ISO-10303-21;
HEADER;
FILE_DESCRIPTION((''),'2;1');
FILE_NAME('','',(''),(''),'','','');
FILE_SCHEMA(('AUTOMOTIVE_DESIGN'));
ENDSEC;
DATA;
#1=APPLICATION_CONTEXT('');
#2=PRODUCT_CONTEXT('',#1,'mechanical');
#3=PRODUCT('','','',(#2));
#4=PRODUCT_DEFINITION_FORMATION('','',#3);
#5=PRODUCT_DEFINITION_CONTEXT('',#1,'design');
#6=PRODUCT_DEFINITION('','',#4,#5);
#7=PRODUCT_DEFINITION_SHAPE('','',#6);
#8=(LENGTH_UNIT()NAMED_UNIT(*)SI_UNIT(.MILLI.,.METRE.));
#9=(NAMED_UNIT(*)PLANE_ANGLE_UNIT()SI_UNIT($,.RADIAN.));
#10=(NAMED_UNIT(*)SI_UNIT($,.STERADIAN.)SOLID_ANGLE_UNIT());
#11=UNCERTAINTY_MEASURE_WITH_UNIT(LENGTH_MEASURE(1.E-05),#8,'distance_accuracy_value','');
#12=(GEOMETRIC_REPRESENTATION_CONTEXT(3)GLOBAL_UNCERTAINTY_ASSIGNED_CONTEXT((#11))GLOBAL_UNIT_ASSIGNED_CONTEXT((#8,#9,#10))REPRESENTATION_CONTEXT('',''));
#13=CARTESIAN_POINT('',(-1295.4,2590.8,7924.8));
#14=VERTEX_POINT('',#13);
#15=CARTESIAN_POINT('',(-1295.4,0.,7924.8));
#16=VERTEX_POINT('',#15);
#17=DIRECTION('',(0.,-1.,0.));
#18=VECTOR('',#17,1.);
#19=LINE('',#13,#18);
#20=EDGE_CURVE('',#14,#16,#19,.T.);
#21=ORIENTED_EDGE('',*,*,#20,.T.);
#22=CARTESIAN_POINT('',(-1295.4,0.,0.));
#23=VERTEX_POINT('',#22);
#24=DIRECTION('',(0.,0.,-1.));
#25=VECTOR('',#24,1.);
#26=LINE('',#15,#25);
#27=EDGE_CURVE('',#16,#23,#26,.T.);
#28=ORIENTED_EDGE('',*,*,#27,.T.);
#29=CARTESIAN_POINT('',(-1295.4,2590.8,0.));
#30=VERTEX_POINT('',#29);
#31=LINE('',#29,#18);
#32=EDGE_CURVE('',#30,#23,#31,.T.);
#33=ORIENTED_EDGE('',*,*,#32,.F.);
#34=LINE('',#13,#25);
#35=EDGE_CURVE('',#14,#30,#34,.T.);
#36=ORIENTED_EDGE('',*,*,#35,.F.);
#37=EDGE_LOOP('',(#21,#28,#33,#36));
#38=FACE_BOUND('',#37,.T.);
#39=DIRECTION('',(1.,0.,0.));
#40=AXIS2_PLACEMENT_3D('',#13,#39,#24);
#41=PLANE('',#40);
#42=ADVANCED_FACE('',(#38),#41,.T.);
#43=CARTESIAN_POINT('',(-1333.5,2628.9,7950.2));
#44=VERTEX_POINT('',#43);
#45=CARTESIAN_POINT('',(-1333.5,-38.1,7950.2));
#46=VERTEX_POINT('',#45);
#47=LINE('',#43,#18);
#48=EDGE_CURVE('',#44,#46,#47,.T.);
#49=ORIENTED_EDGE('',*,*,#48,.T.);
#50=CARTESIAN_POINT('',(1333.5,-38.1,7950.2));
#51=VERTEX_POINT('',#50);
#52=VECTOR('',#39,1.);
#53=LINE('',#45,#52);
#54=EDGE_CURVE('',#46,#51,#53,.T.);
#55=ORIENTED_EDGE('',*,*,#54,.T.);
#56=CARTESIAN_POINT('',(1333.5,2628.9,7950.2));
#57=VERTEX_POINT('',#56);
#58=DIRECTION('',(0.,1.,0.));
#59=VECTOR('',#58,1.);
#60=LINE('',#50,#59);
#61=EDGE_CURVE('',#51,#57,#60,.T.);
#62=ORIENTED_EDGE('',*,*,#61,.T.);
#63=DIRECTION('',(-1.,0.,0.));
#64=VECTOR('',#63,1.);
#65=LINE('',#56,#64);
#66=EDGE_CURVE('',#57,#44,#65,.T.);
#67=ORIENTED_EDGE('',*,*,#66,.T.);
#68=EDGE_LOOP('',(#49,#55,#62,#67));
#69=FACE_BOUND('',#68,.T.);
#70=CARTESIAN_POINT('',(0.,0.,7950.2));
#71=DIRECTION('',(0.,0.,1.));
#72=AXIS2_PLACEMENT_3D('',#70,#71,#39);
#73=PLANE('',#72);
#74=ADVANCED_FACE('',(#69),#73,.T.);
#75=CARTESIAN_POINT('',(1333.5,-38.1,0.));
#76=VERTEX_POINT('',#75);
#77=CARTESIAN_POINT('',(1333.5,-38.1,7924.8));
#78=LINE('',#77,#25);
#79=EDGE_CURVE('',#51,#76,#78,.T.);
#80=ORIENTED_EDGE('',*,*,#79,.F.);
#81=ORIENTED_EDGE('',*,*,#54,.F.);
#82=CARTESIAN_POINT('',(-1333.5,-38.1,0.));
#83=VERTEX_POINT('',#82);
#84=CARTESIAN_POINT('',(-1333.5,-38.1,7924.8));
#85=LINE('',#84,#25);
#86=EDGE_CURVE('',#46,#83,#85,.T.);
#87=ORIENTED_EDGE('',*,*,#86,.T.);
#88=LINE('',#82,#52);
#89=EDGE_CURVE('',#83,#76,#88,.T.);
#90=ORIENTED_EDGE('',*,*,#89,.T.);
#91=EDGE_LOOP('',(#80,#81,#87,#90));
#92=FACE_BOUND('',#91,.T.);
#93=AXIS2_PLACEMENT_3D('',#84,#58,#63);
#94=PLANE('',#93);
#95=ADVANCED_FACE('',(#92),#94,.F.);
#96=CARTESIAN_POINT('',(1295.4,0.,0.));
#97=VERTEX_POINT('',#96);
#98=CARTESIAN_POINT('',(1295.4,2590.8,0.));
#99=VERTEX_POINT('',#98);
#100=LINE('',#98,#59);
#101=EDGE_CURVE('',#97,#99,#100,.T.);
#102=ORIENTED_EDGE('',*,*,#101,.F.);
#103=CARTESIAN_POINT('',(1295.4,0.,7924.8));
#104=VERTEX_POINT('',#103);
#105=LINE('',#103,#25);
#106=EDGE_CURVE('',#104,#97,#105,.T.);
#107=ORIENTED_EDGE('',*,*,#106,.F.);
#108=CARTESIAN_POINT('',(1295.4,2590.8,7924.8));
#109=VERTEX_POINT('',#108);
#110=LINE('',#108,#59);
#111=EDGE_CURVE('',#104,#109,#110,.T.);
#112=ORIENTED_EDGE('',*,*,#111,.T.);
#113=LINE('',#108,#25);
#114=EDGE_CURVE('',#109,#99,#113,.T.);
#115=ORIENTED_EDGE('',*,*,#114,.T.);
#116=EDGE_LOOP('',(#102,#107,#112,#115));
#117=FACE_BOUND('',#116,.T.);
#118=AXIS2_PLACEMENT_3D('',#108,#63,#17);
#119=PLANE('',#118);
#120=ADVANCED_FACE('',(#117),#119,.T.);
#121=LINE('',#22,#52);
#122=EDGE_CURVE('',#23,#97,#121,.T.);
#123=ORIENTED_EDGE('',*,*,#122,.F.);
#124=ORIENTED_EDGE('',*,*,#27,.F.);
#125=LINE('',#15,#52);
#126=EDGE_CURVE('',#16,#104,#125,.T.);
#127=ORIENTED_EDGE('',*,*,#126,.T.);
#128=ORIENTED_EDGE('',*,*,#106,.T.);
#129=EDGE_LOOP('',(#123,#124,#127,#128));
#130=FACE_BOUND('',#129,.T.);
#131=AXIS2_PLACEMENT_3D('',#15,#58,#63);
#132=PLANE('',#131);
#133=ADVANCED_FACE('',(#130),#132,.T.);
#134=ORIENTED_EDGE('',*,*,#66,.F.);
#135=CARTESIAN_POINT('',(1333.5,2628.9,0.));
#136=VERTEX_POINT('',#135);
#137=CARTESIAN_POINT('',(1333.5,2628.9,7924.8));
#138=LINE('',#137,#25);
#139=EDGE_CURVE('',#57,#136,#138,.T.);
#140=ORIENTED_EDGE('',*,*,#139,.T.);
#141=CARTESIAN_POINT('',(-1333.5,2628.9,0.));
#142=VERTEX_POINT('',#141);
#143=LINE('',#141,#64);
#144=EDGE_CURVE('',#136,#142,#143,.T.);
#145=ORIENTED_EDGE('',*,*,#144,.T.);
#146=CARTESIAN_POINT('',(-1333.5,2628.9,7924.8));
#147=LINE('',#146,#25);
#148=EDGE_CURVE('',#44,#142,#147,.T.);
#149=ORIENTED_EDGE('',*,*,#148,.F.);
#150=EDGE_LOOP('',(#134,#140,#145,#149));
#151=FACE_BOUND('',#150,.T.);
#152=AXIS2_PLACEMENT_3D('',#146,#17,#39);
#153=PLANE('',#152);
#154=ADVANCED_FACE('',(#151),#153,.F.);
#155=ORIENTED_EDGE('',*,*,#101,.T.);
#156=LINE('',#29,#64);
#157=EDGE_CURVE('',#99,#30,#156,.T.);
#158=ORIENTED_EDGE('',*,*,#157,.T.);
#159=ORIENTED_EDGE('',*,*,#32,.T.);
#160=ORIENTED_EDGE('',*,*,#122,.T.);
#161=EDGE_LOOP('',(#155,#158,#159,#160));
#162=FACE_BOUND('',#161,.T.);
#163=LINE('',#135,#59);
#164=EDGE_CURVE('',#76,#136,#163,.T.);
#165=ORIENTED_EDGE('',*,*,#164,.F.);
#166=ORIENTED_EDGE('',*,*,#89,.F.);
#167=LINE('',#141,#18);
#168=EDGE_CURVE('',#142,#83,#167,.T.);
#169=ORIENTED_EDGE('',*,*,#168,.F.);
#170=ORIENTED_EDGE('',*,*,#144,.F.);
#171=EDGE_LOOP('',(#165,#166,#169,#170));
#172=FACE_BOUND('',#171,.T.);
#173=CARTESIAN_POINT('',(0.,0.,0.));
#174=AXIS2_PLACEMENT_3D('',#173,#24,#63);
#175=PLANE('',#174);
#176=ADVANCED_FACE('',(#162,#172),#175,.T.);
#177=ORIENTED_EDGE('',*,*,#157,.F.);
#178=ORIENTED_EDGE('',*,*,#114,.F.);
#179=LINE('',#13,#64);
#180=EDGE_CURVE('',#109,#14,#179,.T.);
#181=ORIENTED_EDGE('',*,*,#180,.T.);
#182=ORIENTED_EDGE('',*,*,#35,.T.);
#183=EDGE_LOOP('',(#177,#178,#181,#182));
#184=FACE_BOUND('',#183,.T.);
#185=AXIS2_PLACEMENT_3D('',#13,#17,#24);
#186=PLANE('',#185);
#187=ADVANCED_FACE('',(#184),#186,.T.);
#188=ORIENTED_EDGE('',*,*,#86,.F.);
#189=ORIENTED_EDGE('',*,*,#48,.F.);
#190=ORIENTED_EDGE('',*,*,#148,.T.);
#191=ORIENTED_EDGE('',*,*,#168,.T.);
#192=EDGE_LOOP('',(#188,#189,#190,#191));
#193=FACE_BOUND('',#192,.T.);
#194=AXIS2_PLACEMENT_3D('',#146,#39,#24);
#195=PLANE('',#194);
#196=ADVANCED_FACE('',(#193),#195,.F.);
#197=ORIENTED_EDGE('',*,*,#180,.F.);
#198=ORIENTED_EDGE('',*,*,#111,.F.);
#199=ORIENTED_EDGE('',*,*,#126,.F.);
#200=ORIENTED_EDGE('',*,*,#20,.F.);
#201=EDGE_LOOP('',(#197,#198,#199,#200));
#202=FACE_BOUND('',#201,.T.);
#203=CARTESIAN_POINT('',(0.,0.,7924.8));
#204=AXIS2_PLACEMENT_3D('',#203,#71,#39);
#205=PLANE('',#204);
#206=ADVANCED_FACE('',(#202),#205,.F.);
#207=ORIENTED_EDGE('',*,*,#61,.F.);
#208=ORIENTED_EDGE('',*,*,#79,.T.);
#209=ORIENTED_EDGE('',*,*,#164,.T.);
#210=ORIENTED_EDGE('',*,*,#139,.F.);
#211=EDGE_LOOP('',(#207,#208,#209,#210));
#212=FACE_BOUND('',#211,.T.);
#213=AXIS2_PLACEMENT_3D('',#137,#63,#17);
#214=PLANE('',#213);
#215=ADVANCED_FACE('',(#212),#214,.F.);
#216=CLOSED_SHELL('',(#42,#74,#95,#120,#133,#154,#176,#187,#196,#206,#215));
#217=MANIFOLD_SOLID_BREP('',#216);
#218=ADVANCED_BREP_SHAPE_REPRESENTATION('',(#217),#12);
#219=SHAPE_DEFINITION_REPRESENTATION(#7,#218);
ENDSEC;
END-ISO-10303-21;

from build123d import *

# Parameters (mm, degrees)
SKETCH1_W           = 2667
SKETCH1_H           = 2667
SKETCH1_W_2         = 2590.8
SKETCH1_H_2         = 2590.8
BOSS_EXTRUDE1_DEPTH = 7924.8
SKETCH2_W           = 2667
SKETCH2_H           = 2667
BOSS_EXTRUDE2_DEPTH = 25.4


with BuildPart() as part:
    # Sketch1 → Boss-Extrude1 (new body)
    with BuildSketch(Plane.XY):
        with Locations((0, 1295.4)):
            Rectangle(SKETCH1_W, SKETCH1_H)
        with Locations((0, 1295.4)):
            Rectangle(SKETCH1_W_2, SKETCH1_H_2, mode=Mode.SUBTRACT)
    extrude(amount=BOSS_EXTRUDE1_DEPTH)

    # Sketch2 → Boss-Extrude2 (add)
    with BuildSketch(Plane.XY.offset(7924.8)):
        with Locations((0, 1295.4)):
            Rectangle(SKETCH2_W, SKETCH2_H)
    extrude(amount=BOSS_EXTRUDE2_DEPTH)


solid = part.part
